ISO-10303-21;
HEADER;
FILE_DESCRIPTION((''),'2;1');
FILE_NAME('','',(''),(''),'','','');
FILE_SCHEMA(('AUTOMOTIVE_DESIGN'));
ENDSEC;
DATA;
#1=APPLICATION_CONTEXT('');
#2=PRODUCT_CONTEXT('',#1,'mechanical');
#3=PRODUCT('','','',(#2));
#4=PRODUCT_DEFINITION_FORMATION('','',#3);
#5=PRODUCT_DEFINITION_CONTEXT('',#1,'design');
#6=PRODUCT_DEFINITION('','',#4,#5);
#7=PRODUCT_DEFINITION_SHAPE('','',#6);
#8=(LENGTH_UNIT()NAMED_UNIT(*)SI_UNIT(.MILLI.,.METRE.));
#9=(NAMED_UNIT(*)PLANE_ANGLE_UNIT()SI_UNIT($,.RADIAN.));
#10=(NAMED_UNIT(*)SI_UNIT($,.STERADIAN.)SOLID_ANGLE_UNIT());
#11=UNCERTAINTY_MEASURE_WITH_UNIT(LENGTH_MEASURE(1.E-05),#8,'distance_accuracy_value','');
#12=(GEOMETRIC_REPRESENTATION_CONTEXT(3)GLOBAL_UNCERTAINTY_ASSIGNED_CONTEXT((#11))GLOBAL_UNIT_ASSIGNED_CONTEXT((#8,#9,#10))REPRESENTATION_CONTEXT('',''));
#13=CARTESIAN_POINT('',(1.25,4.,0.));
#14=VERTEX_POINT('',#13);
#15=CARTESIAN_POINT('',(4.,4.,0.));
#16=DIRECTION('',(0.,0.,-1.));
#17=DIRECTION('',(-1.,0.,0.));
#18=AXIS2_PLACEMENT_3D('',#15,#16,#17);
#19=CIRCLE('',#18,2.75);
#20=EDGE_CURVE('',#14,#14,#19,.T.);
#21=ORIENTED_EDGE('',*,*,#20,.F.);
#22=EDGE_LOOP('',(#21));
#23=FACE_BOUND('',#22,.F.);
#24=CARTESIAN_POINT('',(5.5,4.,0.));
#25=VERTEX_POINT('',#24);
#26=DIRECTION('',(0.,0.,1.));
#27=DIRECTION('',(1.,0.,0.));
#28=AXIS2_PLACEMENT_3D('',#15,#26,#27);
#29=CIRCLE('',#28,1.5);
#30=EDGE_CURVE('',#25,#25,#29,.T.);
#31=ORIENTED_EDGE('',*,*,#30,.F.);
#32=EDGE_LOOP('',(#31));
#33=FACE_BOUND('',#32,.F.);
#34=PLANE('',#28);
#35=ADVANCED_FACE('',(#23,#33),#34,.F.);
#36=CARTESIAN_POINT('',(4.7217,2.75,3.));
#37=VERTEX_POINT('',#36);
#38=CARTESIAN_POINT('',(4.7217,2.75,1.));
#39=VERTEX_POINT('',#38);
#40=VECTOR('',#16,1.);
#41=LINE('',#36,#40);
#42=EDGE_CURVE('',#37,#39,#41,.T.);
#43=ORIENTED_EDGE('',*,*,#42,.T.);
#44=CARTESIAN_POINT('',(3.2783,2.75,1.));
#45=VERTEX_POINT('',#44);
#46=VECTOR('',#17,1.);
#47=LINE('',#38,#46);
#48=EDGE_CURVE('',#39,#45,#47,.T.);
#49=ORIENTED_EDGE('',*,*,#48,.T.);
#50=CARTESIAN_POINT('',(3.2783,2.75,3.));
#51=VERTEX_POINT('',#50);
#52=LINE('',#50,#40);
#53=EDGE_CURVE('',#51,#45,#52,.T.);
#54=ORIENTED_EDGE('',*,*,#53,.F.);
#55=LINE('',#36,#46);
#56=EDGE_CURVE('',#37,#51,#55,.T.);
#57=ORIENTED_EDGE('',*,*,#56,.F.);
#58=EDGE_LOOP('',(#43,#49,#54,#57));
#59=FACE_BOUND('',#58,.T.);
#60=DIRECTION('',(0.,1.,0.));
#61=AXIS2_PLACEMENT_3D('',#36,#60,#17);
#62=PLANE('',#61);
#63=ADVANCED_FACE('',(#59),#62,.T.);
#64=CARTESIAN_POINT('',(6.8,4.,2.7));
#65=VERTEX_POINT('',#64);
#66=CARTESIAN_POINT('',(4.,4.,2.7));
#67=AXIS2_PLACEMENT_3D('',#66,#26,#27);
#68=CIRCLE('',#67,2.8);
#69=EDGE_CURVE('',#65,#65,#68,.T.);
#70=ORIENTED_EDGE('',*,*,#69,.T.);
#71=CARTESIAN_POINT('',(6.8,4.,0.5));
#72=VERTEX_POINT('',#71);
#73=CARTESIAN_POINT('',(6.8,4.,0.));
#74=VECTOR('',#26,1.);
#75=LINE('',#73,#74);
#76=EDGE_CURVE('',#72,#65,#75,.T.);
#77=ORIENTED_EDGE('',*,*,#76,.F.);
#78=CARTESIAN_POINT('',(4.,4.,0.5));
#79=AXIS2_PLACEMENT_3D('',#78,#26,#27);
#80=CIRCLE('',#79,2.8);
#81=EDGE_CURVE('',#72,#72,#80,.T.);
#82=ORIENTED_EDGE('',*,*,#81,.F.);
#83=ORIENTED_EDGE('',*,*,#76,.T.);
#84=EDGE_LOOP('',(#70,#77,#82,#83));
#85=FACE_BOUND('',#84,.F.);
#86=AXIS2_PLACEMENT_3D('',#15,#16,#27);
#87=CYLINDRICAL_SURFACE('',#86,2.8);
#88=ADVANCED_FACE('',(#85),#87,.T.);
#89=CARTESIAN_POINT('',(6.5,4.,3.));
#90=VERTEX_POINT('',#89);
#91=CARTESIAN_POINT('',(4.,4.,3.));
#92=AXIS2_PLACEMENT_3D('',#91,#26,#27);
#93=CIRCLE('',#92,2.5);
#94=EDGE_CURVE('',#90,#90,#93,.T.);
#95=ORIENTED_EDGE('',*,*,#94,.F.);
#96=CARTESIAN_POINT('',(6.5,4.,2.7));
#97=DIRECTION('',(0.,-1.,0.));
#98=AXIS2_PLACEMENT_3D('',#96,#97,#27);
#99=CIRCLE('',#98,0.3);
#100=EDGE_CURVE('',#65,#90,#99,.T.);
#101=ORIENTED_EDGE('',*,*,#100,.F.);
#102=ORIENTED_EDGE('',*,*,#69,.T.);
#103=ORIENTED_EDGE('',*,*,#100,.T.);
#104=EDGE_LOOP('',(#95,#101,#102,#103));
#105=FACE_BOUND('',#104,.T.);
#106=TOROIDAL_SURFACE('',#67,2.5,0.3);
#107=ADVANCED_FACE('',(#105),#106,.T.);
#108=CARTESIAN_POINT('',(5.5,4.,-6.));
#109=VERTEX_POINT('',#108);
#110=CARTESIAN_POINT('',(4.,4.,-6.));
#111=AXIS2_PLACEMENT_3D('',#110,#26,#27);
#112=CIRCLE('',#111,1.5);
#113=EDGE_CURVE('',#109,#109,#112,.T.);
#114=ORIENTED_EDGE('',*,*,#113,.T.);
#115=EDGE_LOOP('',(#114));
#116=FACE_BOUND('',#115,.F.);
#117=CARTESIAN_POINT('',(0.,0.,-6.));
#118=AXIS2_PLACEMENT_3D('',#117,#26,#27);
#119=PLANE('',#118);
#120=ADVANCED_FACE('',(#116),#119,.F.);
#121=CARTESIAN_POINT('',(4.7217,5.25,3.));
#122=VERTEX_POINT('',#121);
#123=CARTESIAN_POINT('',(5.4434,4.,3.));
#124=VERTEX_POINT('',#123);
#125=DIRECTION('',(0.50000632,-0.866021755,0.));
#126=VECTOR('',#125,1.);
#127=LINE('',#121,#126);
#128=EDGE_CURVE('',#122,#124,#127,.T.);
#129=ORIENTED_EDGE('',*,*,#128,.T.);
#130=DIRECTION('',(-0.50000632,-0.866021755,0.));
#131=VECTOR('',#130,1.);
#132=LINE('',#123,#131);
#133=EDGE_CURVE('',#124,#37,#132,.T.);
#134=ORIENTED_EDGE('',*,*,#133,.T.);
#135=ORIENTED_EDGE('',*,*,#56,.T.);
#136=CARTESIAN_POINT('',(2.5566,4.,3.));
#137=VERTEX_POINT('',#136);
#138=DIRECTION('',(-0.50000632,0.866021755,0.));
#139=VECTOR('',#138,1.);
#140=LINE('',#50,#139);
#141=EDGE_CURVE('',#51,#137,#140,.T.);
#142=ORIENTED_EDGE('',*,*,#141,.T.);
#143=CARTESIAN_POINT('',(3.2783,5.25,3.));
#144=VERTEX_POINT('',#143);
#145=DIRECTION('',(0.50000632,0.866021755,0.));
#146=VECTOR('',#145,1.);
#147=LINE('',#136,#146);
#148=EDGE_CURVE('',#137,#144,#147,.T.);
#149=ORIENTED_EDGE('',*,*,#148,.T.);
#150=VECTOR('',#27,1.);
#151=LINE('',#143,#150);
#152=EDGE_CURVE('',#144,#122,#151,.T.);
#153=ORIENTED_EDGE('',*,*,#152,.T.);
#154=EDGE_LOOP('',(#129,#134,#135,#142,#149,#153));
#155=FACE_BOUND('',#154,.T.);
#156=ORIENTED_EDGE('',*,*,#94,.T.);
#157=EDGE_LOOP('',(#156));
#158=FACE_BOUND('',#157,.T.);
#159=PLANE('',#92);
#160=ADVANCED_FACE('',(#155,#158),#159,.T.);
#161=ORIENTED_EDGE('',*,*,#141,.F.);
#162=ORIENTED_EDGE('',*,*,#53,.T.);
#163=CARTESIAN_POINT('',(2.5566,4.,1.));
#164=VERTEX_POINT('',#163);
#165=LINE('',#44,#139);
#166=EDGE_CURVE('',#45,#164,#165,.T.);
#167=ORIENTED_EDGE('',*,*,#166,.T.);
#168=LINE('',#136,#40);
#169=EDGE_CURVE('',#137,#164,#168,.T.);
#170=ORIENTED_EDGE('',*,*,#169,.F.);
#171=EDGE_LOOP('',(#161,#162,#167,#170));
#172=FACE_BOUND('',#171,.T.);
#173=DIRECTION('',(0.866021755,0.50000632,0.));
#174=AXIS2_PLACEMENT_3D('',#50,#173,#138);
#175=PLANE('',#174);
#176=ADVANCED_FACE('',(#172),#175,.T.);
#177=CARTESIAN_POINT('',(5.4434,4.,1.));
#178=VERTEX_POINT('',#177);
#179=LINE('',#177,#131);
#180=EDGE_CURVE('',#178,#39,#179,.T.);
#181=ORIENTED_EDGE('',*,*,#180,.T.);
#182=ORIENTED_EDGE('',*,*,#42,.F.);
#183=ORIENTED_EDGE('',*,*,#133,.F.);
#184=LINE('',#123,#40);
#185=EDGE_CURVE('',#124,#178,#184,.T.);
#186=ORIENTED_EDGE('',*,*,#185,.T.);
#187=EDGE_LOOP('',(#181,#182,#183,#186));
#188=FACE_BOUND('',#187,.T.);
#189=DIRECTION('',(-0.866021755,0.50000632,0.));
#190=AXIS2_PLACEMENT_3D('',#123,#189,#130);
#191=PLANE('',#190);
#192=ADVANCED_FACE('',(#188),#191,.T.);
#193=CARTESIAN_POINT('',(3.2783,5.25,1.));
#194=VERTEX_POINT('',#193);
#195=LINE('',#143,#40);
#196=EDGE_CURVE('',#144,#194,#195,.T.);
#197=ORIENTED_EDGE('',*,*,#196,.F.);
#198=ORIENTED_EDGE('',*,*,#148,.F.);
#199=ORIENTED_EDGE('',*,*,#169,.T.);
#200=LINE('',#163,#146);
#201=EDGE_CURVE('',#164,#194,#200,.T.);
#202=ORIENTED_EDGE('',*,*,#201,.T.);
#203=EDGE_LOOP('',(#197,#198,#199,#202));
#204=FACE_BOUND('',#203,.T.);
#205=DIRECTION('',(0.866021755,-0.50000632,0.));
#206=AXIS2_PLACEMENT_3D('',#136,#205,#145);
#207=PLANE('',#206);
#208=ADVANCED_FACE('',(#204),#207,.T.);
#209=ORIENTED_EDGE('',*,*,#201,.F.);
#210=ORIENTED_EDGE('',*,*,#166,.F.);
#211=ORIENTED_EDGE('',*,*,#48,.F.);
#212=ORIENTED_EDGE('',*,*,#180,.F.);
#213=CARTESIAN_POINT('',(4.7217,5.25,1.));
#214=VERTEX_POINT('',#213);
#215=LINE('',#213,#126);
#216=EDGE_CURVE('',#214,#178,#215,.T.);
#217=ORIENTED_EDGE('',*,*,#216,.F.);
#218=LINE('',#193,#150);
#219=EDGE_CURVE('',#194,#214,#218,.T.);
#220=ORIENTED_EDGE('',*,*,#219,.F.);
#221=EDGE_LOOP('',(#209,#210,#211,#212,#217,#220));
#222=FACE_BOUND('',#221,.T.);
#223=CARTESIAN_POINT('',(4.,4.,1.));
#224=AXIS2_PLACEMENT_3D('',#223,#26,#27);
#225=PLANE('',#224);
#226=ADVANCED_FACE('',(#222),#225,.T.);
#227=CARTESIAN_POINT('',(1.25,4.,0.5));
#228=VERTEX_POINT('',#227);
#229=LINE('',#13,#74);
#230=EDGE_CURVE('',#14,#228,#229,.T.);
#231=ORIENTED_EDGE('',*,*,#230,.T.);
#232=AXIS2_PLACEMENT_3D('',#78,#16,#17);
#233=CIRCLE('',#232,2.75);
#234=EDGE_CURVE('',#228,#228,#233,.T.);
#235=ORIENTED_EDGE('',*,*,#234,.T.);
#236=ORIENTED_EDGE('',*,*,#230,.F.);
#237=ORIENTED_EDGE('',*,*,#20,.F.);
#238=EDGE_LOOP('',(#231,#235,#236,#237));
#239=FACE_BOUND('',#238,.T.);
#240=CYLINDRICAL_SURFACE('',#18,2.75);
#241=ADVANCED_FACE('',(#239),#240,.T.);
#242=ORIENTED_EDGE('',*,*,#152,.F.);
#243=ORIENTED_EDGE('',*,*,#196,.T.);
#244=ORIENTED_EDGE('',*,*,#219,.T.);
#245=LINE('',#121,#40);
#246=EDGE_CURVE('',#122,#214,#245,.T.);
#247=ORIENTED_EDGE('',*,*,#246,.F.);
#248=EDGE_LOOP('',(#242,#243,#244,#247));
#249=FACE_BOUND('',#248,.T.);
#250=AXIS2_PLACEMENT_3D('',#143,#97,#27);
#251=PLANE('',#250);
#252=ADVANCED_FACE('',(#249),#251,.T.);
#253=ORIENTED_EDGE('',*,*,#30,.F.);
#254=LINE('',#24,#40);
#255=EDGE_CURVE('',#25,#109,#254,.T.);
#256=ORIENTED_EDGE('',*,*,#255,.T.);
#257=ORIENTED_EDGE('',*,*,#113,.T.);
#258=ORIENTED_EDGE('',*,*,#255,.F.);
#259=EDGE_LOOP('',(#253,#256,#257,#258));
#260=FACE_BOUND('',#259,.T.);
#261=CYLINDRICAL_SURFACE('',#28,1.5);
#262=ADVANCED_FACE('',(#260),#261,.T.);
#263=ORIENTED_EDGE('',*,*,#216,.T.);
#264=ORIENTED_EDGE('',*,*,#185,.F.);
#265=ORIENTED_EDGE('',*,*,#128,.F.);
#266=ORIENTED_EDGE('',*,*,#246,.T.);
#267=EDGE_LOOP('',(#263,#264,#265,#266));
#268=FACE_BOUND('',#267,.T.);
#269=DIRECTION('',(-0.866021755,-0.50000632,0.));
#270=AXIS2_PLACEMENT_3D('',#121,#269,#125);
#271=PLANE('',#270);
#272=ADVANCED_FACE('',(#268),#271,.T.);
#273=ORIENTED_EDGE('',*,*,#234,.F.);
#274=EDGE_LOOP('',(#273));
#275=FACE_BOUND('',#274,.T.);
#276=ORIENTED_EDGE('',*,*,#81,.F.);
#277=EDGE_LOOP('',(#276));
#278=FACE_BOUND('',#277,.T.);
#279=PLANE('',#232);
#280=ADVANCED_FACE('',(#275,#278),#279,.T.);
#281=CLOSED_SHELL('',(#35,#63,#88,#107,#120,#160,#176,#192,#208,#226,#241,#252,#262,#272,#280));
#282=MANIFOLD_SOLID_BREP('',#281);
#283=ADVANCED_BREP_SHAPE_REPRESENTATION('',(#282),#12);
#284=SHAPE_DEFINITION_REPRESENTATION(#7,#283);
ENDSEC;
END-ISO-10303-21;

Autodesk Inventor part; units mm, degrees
ref_plane "YZ Plane" through (0, 0, 0) normal (1, 0, 0) x (0, 1, 0)
ref_plane "XZ Plane" through (0, 0, 0) normal (0, 1, 0) x (-1, 0, 0)
ref_plane "XY Plane" through (0, 0, 0) normal (0, 0, 1) x (1, 0, 0)
sketch "Sketch1" plane through (0, 0, 0) normal (0, 0, 1) x (1, 0, 0)
  circle A0 centre (4, 4) radius 1.2 projected
  circle A1 centre (4, 4) radius 1.5
  point P0 (0, 0)
  dimension "d0" = 3
extrude "Extrusion1" add sketch "Sketch1" against normal blind 6 contours A0 | A1
sketch "Sketch2" plane through (4, 4, 0) normal (0, 0, 1) x (1, 0, 0)
  circle A0 centre (0, 0) radius 1.5 projected
  circle A1 centre (0, 0) radius 2.8
  point P0 (-4, -4)
  dimension "d3" = 5.6
extrude "Extrusion2" add sketch "Sketch2" along normal blind 3 contours A0 | A1
fillet "Fillet1" radius 0.3 1 edges at (1.2, 4, 3)
sketch "Sketch3" plane through (4, 4, 0) normal (0, 0, -1) x (-1, 0, 0)
  circle A0 centre (0, 0) radius 2.8 projected
  circle A1 centre (0, 0) radius 1.5 projected
  circle A2 centre (0, 0) radius 2.75
  point P0 (4, -4)
  dimension "d7" = 5.5
extrude "Extrusion3" cut sketch "Sketch3" against normal blind 0.5 contours A0
sketch "Sketch4" plane through (4, 4, 3) normal (0, 0, 1) x (1, 0, 0)
  circle A0 centre (0, 0) radius 2.5 projected
  line L0 (0.7217, 1.25) -> (1.4434, 0)
  line L1 (1.4434, 0) -> (0.7217, -1.25)
  line L2 (0.7217, -1.25) -> (-0.7217, -1.25)
  line L3 (-0.7217, -1.25) -> (-1.4434, 0)
  line L4 (-1.4434, 0) -> (-0.7217, 1.25)
  line L5 (-0.7217, 1.25) -> (0.7217, 1.25)
  point P0 (-4, -4)
  dimension "d10" = 2.5
extrude "Extrusion4" cut sketch "Sketch4" against normal blind 2 contours L0 L1 L2 L3 L4 L5
thread "Thread1" size "M3x0.5" class "6g" standard "ANSI Metric M Profile" full length
properties part number "m3 6" material "Steel"
